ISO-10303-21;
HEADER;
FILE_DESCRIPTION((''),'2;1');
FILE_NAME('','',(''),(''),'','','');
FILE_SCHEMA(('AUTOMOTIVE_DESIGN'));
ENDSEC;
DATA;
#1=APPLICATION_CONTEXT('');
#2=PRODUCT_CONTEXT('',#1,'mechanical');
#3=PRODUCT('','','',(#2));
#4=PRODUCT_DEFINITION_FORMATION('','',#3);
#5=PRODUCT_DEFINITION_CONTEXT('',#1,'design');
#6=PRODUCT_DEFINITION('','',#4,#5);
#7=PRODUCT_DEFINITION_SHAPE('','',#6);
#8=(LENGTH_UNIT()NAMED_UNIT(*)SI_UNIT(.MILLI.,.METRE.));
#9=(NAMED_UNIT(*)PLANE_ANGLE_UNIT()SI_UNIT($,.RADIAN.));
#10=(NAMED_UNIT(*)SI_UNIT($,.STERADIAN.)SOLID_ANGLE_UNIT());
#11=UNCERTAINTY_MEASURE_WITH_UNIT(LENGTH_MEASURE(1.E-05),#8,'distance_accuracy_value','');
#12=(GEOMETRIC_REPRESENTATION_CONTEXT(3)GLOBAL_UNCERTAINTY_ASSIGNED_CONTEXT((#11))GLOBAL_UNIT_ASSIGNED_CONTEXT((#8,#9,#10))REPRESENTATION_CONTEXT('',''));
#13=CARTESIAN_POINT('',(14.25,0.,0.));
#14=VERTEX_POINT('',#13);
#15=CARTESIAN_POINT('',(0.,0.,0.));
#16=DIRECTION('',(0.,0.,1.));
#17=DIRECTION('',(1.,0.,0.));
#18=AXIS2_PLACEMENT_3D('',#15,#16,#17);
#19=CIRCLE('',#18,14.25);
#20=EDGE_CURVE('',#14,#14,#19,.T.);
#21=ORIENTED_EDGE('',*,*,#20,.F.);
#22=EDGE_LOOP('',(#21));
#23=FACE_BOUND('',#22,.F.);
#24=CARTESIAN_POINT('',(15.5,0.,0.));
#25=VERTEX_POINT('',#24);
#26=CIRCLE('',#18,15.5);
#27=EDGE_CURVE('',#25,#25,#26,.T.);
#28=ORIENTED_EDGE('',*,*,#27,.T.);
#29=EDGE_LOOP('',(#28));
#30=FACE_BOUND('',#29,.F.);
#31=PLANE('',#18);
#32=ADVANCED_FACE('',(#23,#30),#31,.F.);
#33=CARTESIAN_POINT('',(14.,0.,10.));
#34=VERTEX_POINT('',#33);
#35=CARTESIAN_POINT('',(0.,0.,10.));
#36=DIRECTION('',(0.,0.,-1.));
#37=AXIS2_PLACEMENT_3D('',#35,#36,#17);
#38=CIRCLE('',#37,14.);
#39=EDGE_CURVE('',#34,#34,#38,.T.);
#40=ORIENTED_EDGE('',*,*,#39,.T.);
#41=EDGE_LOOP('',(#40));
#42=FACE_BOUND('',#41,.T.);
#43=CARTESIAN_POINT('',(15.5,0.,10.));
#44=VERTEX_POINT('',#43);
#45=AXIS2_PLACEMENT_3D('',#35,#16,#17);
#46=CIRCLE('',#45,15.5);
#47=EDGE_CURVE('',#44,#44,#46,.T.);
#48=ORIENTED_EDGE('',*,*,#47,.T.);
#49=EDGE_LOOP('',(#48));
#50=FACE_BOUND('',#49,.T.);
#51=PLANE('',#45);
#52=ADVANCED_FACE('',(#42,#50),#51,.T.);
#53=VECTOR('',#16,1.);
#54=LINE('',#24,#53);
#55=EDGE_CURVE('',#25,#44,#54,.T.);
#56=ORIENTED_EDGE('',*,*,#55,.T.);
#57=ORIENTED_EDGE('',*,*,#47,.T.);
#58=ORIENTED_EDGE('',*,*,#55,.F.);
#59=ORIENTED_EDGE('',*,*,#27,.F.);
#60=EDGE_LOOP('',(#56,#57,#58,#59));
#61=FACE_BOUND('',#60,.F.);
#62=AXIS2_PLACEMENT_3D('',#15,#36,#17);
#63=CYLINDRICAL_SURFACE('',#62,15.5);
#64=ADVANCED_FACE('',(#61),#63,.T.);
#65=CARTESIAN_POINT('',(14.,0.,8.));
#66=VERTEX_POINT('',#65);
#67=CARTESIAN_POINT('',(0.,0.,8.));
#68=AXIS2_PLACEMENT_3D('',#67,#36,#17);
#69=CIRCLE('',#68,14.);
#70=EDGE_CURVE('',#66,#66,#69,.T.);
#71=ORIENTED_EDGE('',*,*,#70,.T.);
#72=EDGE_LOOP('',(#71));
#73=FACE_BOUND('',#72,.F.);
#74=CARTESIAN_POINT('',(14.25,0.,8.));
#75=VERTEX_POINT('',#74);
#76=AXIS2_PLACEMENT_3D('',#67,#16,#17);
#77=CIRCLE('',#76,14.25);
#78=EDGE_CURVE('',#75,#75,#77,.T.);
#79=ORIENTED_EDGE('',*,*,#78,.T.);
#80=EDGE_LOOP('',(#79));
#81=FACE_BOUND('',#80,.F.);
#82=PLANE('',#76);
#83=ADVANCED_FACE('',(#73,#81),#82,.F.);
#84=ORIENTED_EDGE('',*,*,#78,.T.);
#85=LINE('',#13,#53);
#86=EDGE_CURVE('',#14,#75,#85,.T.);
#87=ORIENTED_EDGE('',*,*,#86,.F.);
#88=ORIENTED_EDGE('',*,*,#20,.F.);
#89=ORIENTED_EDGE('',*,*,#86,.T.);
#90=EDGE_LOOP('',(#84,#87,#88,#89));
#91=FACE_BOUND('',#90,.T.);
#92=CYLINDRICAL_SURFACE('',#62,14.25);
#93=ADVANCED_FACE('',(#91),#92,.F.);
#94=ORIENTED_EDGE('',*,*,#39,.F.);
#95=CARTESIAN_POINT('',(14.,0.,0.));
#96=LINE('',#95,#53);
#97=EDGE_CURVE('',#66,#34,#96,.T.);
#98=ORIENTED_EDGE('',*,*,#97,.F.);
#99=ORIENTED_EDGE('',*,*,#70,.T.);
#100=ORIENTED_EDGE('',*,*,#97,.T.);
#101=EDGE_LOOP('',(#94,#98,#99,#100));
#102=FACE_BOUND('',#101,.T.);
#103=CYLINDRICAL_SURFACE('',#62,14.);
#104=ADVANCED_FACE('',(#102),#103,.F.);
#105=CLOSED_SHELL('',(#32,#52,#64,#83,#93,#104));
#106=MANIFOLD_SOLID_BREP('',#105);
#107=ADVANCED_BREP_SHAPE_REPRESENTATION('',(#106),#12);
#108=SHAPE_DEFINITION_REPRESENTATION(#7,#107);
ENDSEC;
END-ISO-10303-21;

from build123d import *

# Parameters (mm, degrees)
F0_R     = 15.5
F1_DEPTH = 10
F2_R     = 14
F3_DEPTH = 25
F4_R     = 14.25
F5_DEPTH = 8


with BuildPart() as f1:
    # F0 (on Top) → F1 (new body)
    with BuildSketch(Plane.XY):
        Circle(F0_R)
    extrude(amount=F1_DEPTH)

    # F2 (on Top) → F3 (cut)
    with BuildSketch(Plane.XY):
        Circle(F2_R)
    extrude(amount=F3_DEPTH, mode=Mode.SUBTRACT)

    # F4 (on Top) → F5 (cut)
    with BuildSketch(Plane.XY):
        Circle(F4_R)
    extrude(amount=F5_DEPTH, mode=Mode.SUBTRACT)


solid = f1.part
